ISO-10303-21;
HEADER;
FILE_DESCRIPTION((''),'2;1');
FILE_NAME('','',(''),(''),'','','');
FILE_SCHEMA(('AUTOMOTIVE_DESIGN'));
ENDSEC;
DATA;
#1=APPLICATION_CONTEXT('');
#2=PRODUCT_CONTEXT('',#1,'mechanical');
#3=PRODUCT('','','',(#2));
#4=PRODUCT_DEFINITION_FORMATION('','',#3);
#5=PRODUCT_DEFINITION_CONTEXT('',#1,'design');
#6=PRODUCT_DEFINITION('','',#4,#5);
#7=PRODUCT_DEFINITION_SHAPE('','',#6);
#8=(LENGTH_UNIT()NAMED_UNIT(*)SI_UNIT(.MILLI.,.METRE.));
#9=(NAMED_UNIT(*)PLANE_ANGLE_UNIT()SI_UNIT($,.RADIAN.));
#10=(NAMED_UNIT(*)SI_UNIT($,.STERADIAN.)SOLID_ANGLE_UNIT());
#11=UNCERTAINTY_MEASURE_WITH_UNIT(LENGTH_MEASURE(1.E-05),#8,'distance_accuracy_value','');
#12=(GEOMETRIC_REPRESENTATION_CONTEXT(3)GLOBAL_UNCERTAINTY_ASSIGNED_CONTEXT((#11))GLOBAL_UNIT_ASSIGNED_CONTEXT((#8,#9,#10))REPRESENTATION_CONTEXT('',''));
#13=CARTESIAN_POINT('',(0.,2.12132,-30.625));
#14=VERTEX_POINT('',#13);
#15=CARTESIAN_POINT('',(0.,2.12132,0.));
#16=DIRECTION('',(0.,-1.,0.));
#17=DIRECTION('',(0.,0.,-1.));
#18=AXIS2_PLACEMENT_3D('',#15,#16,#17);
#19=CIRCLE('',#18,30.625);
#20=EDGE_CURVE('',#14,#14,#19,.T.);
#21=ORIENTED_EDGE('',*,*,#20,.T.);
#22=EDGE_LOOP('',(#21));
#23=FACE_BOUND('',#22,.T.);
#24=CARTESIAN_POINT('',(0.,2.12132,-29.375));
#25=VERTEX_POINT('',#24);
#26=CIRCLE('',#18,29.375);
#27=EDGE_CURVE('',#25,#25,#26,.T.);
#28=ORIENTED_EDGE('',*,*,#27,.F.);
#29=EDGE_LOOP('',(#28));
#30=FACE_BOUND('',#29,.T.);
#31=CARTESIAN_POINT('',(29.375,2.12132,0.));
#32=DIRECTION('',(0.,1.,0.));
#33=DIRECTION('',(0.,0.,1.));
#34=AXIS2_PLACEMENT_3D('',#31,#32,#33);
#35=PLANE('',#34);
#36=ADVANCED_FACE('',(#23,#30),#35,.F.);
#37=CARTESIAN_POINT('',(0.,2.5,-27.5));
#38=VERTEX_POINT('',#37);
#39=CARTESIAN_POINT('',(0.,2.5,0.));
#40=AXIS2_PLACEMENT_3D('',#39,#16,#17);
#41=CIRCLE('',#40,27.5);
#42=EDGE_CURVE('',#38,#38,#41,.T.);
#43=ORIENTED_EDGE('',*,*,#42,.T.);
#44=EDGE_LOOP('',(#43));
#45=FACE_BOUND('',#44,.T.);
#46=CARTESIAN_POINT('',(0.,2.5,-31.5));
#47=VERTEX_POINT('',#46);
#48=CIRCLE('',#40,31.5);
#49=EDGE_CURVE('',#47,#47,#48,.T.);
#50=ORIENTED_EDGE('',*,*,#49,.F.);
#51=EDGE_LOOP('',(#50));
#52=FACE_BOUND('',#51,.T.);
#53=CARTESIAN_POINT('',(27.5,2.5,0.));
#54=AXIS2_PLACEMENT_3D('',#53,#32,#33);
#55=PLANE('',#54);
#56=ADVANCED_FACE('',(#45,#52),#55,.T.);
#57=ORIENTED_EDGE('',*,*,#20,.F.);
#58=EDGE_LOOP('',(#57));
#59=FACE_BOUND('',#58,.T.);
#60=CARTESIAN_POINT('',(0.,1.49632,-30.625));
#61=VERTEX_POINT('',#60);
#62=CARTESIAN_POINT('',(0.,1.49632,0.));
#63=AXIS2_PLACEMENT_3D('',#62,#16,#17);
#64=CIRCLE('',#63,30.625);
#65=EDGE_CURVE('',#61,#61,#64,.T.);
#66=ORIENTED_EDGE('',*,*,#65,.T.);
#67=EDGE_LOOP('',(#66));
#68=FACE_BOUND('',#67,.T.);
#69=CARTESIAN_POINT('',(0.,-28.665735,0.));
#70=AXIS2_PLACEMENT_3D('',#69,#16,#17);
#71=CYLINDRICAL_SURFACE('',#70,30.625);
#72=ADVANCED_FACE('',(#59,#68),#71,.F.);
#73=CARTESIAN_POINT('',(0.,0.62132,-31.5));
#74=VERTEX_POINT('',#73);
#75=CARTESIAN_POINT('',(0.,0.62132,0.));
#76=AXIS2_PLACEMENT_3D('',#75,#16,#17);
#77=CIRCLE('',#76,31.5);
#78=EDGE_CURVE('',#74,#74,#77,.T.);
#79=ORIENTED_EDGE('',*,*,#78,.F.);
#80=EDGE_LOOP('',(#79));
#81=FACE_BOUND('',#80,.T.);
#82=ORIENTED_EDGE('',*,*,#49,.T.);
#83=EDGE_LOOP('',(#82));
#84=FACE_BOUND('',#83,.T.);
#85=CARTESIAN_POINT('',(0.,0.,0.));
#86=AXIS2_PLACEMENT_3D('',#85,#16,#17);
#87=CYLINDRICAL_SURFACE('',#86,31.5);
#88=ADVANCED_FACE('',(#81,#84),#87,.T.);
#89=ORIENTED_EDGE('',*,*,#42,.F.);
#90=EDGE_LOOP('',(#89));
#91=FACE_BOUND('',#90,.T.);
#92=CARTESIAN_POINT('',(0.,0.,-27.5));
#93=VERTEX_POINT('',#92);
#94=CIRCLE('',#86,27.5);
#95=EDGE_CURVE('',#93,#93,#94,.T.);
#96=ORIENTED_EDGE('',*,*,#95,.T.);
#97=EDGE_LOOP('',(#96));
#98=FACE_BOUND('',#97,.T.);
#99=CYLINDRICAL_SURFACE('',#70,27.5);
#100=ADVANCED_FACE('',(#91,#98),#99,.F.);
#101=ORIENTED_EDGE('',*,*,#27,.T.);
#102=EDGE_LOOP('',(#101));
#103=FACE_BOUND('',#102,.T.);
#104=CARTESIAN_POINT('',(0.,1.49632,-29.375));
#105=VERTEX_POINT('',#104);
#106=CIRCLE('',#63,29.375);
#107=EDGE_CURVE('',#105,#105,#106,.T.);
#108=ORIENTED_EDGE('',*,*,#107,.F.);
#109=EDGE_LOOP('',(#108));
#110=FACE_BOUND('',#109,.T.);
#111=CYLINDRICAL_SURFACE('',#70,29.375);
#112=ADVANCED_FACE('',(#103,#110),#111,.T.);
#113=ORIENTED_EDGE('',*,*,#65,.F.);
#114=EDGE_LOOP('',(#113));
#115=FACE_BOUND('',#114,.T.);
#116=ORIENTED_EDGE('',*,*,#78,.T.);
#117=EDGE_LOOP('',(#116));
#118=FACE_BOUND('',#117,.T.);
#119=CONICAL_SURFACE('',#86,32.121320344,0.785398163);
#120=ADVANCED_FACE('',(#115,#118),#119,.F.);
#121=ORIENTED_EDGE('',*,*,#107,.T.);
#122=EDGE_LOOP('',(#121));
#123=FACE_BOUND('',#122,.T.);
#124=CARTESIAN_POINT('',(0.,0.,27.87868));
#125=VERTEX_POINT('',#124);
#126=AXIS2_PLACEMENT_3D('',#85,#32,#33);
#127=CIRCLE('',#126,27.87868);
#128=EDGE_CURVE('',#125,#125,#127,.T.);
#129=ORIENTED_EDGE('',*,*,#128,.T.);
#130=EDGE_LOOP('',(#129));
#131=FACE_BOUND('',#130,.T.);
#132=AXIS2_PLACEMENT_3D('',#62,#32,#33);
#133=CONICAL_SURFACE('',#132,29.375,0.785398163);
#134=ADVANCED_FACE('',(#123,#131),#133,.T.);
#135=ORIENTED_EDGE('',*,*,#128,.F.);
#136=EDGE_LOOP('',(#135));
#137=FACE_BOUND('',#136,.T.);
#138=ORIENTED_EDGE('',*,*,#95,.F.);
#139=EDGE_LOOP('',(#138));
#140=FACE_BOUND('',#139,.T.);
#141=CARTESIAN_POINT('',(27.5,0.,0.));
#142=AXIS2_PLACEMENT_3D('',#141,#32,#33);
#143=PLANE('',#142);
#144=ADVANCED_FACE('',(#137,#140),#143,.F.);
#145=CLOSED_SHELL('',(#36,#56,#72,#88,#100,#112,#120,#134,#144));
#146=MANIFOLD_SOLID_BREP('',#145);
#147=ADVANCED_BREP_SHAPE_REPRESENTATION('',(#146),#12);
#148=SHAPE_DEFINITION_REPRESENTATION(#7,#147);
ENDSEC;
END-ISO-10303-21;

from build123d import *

# Parameters (mm, degrees)
SKETCH1_W = 5
SKETCH1_H = 5


with BuildPart() as part:
    # Sketch1 → Revolve1 (revolve)
    with BuildSketch(Plane.XY):
        with Locations((30, 0)):
            Rectangle(SKETCH1_W, SKETCH1_H)
        Polygon((29.375, -1.496320344), (27.878679656, 0), (29.375, 1.496320344), (29.375, 2.121320344), (30.625, 2.121320344), (30.625, 1.496320344), (32.121320344, 0), (30.625, -1.496320344), (30.625, -2.121320344), (29.375, -2.121320344), align=None, mode=Mode.SUBTRACT)
    revolve(axis=Axis((0, -28.665734922, 0), (0, 1, 0)))

    # Sketch2 → Cut-Revolve1 (revolve, cut)
    with BuildSketch(Plane.XY):
        Polygon((27.5, 0), (31.5, 0), (31.5, 2.5), (32.5, 2.5), (32.5, 0), (32.5, -2.5), (27.5, -2.5), align=None)
    revolve(axis=Axis((0, 0, 0), (0, 1, 0)), mode=Mode.SUBTRACT)


solid = part.part
